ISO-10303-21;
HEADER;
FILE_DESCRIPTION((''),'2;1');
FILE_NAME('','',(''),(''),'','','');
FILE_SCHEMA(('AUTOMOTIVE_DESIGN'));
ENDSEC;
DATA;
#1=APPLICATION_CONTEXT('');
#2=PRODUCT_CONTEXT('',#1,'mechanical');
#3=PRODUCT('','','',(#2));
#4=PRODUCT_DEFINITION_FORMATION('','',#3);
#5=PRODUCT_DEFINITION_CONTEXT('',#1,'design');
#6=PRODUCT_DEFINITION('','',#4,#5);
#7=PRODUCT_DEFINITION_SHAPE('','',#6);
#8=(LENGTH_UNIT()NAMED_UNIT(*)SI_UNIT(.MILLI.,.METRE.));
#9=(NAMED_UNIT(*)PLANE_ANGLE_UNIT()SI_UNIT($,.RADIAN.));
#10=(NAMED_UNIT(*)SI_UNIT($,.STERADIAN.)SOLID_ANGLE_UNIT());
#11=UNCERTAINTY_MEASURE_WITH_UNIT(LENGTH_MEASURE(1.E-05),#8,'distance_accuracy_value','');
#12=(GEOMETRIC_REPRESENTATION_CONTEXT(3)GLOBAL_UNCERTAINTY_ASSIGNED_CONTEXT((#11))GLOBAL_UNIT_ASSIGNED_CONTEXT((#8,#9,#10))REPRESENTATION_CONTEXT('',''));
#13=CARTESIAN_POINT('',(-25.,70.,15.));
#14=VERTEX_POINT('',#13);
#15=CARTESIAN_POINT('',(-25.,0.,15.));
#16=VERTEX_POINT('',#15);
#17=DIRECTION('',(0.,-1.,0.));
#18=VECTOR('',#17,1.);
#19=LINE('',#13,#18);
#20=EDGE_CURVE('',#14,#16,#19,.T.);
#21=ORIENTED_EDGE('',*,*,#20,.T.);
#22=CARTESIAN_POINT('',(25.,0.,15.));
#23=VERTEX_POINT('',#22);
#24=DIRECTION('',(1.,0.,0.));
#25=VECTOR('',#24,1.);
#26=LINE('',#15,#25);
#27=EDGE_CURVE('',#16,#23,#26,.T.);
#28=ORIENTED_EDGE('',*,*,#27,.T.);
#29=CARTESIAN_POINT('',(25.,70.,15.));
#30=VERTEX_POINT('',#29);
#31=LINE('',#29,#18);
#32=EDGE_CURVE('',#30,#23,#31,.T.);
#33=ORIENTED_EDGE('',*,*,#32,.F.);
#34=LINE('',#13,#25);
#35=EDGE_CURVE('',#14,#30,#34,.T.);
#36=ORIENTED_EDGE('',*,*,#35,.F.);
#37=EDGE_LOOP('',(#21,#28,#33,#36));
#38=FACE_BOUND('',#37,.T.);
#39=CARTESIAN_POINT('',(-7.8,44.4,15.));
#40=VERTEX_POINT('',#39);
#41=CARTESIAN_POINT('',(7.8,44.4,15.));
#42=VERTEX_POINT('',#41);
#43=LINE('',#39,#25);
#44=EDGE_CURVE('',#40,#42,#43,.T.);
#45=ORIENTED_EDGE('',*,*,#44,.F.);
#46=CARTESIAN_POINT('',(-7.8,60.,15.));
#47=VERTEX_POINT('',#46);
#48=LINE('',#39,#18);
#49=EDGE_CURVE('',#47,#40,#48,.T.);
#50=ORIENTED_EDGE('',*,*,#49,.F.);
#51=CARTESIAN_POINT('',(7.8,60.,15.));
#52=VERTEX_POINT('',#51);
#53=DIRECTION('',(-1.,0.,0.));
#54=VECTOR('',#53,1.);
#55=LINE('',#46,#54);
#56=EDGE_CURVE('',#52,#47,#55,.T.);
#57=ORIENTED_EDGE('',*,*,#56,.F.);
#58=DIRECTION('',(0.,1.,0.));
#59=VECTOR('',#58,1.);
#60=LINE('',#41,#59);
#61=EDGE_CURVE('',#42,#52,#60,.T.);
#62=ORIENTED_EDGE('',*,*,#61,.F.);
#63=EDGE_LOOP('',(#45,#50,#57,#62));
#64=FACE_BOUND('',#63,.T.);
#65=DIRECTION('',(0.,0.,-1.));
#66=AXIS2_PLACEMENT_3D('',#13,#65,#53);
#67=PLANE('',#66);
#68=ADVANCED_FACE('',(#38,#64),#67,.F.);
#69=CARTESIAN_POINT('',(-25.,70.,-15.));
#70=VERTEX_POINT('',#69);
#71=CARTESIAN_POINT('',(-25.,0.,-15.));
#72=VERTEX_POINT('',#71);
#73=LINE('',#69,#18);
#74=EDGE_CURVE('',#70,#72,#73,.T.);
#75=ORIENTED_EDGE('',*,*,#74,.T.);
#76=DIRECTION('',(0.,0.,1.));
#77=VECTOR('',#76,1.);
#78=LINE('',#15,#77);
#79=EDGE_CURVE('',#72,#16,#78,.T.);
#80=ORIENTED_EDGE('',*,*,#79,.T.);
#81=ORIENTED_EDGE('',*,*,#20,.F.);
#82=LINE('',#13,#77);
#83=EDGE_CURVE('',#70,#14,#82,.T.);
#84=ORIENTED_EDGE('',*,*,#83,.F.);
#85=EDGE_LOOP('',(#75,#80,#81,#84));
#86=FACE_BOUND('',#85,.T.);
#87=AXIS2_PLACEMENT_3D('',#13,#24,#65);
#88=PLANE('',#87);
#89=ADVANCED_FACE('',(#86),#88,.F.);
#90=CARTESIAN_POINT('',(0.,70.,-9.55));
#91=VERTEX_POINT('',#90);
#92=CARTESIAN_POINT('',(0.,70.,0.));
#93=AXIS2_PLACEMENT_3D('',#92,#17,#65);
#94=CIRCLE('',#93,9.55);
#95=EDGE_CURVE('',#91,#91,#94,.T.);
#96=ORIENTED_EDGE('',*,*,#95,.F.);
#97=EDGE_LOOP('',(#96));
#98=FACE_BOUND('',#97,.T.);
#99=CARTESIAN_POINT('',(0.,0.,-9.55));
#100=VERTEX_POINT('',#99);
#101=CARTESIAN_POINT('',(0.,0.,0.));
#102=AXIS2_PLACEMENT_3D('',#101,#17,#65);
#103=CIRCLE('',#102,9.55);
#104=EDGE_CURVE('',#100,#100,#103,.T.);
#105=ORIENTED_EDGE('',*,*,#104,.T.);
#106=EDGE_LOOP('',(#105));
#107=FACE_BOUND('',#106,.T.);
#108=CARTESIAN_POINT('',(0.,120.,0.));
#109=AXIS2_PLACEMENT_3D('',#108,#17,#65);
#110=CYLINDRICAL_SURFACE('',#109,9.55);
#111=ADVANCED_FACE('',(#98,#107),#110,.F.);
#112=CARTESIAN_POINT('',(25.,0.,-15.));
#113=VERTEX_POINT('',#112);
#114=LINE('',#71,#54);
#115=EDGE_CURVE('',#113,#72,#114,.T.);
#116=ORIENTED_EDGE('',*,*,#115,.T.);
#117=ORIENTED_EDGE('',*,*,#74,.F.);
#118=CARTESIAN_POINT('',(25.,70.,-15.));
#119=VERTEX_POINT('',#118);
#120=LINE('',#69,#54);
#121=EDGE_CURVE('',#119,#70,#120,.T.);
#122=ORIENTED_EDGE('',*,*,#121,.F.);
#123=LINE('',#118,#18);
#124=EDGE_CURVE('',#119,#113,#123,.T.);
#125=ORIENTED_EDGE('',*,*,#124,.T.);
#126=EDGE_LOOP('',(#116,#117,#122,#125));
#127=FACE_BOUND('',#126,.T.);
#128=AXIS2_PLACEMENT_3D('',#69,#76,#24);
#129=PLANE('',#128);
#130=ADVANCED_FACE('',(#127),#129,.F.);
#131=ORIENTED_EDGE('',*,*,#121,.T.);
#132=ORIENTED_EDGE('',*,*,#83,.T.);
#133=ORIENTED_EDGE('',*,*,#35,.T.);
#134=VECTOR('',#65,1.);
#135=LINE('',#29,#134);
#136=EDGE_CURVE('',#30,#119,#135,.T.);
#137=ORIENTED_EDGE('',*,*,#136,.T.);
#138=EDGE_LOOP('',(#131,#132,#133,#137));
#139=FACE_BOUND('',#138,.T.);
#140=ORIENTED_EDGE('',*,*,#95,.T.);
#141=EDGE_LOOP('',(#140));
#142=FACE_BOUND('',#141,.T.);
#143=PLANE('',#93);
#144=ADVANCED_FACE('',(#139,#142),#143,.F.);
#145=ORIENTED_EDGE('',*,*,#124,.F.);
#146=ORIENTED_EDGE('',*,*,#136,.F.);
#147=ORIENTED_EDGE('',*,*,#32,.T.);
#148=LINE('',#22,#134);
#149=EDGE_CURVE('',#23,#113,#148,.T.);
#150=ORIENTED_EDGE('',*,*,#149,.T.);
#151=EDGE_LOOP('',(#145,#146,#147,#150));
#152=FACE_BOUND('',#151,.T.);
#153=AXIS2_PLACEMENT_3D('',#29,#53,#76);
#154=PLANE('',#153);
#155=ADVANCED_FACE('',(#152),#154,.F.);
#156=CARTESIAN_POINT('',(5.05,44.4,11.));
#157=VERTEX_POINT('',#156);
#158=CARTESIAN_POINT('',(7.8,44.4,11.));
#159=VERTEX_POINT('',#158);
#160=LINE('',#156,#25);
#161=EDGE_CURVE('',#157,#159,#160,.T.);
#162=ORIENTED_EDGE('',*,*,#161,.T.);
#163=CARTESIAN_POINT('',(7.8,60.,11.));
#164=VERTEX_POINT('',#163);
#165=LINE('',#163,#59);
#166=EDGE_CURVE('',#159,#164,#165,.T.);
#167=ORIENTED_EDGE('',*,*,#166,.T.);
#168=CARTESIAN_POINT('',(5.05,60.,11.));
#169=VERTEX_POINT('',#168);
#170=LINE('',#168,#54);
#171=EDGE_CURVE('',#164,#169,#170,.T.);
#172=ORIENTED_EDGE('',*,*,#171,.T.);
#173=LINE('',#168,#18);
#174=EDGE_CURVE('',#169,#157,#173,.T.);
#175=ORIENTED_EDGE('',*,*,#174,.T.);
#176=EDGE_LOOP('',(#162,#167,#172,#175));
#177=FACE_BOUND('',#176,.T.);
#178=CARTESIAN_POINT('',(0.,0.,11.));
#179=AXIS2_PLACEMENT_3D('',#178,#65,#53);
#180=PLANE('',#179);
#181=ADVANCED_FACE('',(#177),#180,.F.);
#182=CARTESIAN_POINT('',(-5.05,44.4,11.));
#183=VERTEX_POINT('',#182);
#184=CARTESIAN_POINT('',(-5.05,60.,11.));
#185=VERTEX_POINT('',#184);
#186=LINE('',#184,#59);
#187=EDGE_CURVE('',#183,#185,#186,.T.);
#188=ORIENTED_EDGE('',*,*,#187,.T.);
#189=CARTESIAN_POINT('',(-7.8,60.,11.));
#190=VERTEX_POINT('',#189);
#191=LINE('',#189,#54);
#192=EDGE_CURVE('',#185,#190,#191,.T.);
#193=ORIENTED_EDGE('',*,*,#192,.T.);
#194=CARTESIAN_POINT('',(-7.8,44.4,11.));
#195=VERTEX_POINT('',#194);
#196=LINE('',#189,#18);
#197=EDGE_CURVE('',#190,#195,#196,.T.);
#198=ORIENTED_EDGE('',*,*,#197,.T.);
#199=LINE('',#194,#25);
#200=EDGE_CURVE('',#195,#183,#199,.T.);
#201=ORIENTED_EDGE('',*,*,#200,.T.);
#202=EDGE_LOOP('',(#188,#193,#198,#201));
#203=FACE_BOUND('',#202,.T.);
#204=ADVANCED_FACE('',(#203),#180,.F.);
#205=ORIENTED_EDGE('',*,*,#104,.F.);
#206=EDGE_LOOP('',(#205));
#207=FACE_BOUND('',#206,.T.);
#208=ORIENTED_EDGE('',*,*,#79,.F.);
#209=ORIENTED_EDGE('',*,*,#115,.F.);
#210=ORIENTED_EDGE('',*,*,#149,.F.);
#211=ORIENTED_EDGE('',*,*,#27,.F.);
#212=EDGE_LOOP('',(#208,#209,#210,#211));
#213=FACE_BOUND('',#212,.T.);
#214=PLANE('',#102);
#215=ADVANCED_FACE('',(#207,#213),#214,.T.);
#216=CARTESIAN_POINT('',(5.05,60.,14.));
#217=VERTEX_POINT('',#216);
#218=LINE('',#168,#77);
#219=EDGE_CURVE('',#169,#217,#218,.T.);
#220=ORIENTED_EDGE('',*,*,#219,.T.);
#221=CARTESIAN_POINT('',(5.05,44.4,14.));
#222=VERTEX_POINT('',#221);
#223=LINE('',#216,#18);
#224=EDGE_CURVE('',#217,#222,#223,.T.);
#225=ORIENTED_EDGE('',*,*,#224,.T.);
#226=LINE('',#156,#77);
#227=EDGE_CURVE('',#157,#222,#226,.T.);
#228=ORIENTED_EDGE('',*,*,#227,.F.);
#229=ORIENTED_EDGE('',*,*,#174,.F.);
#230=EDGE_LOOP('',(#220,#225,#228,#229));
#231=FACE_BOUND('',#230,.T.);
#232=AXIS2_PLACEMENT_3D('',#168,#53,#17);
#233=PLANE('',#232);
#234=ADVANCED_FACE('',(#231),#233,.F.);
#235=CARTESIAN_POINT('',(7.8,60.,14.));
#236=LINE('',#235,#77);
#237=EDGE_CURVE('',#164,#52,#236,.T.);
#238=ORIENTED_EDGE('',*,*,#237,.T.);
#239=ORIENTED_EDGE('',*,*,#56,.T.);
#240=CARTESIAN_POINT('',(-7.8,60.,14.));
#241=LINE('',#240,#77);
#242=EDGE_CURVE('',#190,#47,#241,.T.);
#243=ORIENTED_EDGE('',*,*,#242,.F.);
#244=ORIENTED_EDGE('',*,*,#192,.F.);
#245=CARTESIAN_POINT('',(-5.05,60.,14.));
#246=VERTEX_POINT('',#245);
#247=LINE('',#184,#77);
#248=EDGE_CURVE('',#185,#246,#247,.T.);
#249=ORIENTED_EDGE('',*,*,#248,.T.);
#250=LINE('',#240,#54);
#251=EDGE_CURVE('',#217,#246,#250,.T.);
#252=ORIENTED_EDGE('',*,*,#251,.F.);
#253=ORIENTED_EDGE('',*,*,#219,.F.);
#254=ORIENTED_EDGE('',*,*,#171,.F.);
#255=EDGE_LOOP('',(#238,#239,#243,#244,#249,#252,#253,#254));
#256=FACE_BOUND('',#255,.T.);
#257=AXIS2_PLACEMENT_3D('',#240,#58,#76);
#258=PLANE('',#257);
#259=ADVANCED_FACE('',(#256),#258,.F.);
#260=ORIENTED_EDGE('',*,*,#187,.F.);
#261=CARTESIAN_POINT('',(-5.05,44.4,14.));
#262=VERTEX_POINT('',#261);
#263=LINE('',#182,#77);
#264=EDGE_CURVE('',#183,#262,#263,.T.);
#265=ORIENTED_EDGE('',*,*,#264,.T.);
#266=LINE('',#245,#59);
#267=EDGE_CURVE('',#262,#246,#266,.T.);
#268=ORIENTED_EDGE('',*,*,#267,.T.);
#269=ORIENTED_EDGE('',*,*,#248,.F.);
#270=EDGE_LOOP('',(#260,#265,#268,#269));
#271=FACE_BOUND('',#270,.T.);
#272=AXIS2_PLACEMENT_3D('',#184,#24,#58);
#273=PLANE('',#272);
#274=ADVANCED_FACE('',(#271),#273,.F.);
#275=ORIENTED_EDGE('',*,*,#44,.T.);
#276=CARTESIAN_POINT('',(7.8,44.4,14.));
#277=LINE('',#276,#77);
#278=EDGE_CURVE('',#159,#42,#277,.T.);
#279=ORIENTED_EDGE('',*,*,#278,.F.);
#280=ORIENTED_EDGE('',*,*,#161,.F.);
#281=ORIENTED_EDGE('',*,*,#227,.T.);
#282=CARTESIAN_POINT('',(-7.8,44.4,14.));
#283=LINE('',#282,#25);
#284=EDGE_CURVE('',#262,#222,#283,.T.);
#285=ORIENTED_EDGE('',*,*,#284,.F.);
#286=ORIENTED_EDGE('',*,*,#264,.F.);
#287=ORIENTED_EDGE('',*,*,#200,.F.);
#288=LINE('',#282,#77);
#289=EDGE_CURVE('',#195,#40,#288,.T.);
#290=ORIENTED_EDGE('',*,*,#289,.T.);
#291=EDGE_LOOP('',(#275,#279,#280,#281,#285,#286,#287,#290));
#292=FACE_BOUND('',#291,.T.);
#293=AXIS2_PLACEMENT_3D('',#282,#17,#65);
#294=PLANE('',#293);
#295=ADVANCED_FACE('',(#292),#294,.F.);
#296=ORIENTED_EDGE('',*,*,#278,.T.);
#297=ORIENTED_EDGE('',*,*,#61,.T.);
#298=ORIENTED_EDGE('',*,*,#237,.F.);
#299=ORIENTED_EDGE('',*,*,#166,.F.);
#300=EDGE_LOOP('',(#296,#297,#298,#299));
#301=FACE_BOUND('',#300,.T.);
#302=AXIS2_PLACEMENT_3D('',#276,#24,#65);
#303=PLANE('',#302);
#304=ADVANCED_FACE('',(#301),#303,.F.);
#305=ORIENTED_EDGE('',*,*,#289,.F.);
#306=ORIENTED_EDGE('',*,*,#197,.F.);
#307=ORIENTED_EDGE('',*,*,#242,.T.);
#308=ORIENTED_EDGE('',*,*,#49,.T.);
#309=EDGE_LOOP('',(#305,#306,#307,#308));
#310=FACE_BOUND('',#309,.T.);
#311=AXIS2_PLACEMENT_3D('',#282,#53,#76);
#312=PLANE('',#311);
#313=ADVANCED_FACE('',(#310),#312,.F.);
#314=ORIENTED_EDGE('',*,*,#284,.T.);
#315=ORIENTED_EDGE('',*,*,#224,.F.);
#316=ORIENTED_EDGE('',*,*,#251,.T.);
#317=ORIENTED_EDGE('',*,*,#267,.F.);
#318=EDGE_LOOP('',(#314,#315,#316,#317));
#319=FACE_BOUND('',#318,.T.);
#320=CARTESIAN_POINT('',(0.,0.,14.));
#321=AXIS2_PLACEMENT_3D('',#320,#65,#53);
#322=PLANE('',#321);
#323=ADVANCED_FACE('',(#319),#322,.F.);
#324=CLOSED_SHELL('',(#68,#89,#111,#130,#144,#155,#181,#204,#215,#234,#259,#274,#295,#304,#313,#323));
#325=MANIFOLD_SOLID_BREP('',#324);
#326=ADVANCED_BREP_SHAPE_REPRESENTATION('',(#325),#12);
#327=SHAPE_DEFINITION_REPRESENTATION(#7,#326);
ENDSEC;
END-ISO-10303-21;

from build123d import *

# Parameters (mm, degrees)
SKETCH_1_W          = 50
SKETCH_1_H          = 30
EXTRUDE_1_DEPTH     = 70
SKETCH_2_R          = 9.55
CUT_EXTRUDE_1_DEPTH = 120
CUT_EXTRUDE_START   = 15
SKETCH_3_W          = 15.6
SKETCH_3_H          = 15.6
CUT_EXTRUDE_3_DEPTH = 1
SKETCH_4_W          = 2.75
SKETCH_4_H          = 15.6
CUT_EXTRUDE_4_DEPTH = 3


with BuildPart() as part:
    # 草图1 → 凸台-拉伸1 (new body)
    with BuildSketch(Plane(origin=(0, 0, 0), x_dir=(1, 0, 0), z_dir=(0, 1, 0))):
        Rectangle(SKETCH_1_W, SKETCH_1_H)
    extrude(amount=EXTRUDE_1_DEPTH)

    # 草图2 → 切除-拉伸1 (cut)
    with BuildSketch(Plane.XZ):
        with Locations(Location((0, 0, 0), (0, 0, 270))):
            Circle(SKETCH_2_R)
    extrude(amount=-CUT_EXTRUDE_1_DEPTH, mode=Mode.SUBTRACT)

    # 草图3 → 切除-拉伸3 (cut)
    with BuildSketch(Plane.XY.offset(CUT_EXTRUDE_START)):
        with Locations((0, 52.2)):
            Rectangle(SKETCH_3_W, SKETCH_3_H)
    extrude(amount=-CUT_EXTRUDE_3_DEPTH, mode=Mode.SUBTRACT)

    # 草图4 → 切除-拉伸4 (cut)
    with BuildSketch(Plane.XY.offset(14)):
        with Locations((-6.425, 52.2)):
            Rectangle(SKETCH_4_W, SKETCH_4_H)
        with Locations((6.425, 52.2)):
            Rectangle(SKETCH_4_W, SKETCH_4_H)
    extrude(amount=-CUT_EXTRUDE_4_DEPTH, mode=Mode.SUBTRACT)


solid = part.part
